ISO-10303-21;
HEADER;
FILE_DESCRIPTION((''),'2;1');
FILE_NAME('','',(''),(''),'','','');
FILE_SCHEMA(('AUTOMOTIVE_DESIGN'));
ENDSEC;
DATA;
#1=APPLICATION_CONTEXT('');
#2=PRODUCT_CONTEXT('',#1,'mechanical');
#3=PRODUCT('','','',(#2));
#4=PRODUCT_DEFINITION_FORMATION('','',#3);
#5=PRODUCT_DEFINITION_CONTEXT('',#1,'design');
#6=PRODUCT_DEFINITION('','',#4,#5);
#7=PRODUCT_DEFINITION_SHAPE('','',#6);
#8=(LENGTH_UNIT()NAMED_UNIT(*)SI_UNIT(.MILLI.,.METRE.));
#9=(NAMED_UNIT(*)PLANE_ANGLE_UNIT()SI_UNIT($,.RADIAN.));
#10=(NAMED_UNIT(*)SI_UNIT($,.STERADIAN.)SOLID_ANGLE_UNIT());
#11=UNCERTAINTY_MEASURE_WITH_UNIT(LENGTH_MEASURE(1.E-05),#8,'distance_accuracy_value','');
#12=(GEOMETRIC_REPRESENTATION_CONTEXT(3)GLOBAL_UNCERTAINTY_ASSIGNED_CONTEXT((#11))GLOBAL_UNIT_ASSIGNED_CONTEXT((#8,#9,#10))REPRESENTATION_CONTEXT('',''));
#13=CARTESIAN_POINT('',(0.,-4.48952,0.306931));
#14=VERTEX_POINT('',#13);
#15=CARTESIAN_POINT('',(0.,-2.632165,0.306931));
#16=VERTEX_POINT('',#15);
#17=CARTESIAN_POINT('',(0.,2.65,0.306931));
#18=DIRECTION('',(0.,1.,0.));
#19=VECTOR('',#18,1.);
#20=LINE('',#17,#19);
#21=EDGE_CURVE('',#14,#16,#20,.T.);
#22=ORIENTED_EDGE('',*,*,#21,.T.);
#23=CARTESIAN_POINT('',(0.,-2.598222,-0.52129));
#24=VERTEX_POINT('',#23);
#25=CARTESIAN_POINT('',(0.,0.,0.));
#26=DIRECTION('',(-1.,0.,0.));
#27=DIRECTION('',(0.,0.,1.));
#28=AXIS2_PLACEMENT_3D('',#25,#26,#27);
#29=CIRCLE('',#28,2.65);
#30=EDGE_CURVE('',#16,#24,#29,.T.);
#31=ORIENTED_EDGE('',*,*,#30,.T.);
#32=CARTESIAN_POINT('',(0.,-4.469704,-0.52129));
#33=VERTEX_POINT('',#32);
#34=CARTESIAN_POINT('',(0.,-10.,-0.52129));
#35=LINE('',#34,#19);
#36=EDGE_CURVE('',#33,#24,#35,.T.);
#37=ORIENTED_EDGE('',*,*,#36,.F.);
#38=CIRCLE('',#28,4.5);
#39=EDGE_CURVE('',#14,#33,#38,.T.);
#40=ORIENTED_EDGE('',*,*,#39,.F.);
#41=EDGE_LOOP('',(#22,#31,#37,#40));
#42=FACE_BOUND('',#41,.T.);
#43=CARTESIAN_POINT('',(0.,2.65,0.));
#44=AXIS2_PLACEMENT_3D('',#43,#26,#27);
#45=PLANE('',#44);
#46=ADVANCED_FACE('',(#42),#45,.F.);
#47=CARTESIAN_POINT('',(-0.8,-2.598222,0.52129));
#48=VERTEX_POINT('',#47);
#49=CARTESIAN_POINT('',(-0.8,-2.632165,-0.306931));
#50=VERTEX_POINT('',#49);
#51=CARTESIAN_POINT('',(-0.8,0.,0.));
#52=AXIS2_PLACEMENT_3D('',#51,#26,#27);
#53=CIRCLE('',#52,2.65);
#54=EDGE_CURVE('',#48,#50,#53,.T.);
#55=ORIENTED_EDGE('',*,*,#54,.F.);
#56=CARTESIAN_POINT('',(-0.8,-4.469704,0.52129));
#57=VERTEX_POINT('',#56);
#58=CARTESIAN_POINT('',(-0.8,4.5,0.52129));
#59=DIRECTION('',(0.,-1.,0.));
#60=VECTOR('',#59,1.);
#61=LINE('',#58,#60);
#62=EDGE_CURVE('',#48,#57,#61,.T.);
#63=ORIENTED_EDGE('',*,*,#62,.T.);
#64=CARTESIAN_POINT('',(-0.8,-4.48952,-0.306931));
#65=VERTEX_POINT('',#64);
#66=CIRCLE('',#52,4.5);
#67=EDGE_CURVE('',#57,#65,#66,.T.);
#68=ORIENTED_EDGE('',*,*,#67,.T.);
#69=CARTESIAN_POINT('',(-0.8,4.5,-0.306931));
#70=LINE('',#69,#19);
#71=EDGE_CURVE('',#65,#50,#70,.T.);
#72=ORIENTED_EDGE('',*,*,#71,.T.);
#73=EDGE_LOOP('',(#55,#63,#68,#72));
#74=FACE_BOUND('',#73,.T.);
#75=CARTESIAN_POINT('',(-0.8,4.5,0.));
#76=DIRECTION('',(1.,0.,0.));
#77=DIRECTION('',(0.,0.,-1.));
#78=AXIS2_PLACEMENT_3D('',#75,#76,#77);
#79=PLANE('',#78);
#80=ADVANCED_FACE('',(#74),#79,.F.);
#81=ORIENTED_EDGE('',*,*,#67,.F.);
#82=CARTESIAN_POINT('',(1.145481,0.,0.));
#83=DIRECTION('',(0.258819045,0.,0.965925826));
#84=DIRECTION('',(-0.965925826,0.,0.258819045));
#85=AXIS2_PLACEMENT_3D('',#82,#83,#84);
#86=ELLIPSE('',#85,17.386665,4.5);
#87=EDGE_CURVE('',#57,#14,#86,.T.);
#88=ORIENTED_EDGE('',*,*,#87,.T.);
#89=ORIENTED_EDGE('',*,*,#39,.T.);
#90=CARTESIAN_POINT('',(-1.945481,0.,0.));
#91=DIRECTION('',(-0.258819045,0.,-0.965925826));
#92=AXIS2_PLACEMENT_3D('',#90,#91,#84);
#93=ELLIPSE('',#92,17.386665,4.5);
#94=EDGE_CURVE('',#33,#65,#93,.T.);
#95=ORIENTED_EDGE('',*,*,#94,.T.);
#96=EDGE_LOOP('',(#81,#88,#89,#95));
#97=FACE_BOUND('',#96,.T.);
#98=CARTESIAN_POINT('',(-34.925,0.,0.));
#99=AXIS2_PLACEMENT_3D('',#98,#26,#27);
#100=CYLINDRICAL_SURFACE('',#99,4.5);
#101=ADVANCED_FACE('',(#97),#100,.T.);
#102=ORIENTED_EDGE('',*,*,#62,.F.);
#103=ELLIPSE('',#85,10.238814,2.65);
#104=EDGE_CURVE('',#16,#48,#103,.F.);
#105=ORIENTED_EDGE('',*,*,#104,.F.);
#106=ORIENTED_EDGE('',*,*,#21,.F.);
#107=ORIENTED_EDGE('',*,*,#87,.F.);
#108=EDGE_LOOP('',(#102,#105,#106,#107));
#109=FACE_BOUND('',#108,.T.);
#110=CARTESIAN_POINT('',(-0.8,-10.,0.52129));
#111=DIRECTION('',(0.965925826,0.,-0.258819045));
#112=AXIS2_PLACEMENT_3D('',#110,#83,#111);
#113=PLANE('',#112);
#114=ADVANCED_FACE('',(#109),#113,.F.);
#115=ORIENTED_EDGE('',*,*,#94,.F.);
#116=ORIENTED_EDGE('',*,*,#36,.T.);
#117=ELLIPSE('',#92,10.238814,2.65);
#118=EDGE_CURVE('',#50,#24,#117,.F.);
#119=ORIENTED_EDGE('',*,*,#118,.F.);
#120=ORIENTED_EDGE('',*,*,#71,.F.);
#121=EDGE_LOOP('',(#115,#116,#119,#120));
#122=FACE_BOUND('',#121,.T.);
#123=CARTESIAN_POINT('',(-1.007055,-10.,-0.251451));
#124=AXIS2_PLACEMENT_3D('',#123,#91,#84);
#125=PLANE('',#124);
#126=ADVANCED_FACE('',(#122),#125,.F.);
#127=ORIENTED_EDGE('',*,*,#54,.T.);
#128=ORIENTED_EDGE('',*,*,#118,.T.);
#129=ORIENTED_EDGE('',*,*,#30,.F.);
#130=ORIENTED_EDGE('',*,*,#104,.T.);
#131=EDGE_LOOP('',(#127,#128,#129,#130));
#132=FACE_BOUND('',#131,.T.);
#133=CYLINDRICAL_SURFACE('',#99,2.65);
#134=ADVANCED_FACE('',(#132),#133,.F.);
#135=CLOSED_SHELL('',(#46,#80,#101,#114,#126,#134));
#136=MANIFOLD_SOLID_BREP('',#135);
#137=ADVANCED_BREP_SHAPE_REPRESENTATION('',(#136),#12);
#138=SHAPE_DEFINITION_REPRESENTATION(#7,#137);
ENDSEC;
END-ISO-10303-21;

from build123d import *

# Parameters (mm, degrees)
SKETCH1_W               = 0.8
SKETCH1_H               = 1.85
ENL_V_MAT_EXTRU_1_DEPTH = 10


with BuildPart() as part:
    # Sketch1 → Base-Revolve (revolve)
    with BuildSketch(Plane.XY, mode=Mode.PRIVATE) as base_revolve_sk:
        with Locations((-0.4, 3.575)):
            Rectangle(SKETCH1_W, SKETCH1_H)
    revolve(base_revolve_sk.sketch.rotate(Axis((-34.925, 0, 0), (1, 0, 0)), 90), axis=Axis((-34.925, 0, 0), (1, 0, 0)))

    # Esquisse1 → Enlèv. mat.-Extru.1 (cut)
    with BuildSketch(Plane(origin=(0, 0, 0), x_dir=(0, 0, -1), z_dir=(0, 1, 0))):
        Polygon((-0.521290149, 0.8), (-0.251450512, -0.207055236), (0.521290149, 0), (0.251450512, 1.007055236), align=None)
    extrude(amount=-ENL_V_MAT_EXTRU_1_DEPTH, mode=Mode.SUBTRACT)


solid = part.part
